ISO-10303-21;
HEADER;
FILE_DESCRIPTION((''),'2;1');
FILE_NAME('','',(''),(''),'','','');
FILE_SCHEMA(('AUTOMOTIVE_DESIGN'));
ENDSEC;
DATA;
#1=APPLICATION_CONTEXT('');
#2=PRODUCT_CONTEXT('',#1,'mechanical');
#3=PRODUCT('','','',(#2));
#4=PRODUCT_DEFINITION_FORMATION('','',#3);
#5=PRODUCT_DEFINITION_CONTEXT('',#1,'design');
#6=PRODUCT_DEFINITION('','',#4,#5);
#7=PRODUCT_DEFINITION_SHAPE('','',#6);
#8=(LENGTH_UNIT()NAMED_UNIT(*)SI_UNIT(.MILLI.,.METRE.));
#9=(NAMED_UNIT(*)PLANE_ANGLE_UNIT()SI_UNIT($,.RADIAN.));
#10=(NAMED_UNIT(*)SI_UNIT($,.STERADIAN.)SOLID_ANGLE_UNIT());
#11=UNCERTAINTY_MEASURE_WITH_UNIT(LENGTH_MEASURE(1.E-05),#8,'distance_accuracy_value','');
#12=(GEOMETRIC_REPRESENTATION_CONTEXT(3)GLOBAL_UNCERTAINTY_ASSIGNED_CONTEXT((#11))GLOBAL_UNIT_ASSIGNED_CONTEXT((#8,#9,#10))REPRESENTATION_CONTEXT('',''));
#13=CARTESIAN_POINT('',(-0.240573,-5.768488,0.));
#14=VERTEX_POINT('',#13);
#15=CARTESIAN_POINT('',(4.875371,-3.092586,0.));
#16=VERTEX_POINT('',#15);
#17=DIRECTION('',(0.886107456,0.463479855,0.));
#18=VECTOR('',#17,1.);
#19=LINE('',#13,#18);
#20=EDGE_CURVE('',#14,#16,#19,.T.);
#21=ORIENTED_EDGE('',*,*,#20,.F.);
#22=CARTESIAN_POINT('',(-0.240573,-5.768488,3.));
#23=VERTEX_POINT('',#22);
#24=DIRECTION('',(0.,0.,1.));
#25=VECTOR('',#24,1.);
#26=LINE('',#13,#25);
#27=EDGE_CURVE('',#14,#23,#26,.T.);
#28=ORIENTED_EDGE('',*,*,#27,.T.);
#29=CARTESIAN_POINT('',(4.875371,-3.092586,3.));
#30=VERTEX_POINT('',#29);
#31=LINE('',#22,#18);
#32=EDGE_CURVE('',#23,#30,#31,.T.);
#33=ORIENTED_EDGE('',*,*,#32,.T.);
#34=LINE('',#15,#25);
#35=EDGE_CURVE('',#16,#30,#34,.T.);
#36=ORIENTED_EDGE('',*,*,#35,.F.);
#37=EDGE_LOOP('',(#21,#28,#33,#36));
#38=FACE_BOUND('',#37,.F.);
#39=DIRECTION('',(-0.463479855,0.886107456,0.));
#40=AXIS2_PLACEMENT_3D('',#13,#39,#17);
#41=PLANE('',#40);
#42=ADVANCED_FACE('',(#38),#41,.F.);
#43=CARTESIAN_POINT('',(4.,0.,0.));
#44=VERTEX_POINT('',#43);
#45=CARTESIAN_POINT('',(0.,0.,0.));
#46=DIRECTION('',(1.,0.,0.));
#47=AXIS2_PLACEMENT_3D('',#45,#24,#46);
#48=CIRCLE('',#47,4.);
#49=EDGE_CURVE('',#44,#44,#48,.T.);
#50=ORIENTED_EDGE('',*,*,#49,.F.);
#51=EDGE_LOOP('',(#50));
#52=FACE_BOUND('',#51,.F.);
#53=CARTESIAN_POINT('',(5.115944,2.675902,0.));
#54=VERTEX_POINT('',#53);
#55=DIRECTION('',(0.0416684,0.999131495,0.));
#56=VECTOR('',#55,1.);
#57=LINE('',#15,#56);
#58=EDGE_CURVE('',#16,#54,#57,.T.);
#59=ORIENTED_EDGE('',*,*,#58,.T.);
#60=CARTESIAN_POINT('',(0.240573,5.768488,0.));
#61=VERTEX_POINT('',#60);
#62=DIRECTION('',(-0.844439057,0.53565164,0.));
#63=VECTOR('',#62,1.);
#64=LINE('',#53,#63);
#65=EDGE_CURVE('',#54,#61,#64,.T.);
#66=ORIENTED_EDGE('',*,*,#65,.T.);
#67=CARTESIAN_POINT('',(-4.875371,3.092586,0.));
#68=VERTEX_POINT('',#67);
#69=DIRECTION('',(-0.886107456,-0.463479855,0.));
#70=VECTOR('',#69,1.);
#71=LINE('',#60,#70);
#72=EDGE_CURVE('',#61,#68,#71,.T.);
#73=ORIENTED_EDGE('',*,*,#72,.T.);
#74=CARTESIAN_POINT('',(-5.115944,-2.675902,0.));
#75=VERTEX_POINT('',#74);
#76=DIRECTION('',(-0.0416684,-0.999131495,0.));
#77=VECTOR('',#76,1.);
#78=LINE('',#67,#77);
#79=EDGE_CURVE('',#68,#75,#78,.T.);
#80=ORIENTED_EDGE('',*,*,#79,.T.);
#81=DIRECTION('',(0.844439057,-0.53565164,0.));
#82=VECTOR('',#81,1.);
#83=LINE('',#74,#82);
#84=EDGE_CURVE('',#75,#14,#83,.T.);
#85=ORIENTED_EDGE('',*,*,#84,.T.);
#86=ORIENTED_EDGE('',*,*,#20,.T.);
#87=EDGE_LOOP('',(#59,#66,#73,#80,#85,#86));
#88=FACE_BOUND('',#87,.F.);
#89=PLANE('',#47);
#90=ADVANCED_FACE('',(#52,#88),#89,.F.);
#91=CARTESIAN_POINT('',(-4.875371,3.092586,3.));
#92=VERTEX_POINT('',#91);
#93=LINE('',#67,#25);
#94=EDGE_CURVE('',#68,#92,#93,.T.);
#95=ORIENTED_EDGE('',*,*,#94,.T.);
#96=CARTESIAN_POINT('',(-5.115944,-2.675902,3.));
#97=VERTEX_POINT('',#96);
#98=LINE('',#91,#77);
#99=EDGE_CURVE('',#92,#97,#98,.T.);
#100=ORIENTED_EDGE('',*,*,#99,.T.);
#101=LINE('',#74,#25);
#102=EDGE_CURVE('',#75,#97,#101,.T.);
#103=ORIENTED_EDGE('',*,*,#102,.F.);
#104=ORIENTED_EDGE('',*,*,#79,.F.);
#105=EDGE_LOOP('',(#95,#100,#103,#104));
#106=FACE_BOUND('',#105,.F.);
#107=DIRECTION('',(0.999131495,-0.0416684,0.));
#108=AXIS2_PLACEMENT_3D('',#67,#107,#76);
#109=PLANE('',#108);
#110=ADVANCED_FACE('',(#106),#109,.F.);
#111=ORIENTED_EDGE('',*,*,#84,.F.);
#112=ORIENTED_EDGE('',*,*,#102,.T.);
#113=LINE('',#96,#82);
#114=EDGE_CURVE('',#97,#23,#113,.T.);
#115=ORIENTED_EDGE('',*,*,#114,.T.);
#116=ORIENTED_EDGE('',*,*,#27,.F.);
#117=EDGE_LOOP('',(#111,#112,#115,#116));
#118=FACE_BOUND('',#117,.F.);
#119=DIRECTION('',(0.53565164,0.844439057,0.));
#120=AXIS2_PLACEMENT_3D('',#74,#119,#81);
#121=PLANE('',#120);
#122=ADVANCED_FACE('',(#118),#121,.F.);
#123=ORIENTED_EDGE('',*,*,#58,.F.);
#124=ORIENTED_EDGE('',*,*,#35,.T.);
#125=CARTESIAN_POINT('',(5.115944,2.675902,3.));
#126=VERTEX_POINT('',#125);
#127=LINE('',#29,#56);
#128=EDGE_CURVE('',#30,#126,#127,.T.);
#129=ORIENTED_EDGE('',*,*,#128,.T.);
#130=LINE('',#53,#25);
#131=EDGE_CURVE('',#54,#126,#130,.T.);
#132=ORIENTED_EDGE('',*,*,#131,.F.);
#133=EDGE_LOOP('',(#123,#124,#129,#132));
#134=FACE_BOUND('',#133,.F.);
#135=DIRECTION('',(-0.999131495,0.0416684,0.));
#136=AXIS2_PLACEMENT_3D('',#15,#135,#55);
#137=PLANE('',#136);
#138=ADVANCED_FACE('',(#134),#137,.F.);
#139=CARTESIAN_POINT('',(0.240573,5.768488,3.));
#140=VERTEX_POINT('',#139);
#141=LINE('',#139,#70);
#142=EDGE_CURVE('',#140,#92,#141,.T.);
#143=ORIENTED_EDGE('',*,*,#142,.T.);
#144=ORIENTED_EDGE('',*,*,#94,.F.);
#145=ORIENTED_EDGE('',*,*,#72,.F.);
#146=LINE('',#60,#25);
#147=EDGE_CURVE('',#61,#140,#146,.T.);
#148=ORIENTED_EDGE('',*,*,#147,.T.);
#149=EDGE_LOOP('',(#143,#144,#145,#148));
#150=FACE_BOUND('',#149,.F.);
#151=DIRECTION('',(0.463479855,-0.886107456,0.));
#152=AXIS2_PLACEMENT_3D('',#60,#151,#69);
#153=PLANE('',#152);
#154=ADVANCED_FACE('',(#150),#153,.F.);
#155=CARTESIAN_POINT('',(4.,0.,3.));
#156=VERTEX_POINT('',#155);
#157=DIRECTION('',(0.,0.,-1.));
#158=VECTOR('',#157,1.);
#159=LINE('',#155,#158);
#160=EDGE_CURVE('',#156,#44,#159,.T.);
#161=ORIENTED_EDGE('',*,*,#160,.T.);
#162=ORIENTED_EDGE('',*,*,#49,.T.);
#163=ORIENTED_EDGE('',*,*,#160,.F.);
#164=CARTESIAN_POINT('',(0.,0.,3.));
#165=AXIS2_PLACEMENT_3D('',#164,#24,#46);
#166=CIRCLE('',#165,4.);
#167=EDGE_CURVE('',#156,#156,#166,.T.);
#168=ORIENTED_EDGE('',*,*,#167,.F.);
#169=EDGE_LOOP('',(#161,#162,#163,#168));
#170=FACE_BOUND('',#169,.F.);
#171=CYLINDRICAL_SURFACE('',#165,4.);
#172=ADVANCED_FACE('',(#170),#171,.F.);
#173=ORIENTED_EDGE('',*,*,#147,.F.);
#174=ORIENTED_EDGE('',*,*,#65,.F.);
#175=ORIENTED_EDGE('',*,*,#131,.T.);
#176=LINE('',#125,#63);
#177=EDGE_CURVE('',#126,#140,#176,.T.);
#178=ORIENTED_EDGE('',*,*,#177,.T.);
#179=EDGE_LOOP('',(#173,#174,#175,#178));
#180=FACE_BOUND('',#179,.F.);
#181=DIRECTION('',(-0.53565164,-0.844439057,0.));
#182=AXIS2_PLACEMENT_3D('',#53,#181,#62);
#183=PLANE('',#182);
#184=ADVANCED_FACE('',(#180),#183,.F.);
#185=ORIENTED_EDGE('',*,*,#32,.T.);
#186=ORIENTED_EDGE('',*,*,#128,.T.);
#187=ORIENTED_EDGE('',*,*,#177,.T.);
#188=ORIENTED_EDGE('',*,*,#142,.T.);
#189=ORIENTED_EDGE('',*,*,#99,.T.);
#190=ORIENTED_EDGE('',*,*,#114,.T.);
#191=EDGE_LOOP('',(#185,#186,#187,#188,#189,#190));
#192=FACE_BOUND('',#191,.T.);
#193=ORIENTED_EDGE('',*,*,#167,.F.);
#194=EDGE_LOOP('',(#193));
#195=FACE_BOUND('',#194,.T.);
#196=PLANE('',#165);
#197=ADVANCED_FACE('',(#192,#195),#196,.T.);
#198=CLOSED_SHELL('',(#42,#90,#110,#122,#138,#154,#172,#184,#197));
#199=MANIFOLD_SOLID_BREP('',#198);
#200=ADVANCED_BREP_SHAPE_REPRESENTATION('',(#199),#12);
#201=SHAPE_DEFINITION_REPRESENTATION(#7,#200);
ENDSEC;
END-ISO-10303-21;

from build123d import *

# Parameters (mm, degrees)
EXTRUDE_1_DEPTH     = 3
SKETCH_2_R          = 4
CUT_EXTRUDE_1_DEPTH = 3


with BuildPart() as part:
    # 草图1 → 凸台-拉伸1 (new body)
    with BuildSketch(Plane.XY):
        Polygon((4.875371166, -3.092586187), (5.115943785, 2.675902189), (0.240572619, 5.768488376), (-4.875371166, 3.092586187), (-5.115943785, -2.675902189), (-0.240572619, -5.768488376), align=None)
    extrude(amount=EXTRUDE_1_DEPTH)

    # 草图2 → 切除-拉伸1 (cut)
    with BuildSketch(Plane.XY.offset(3)):
        Circle(SKETCH_2_R)
    extrude(amount=-CUT_EXTRUDE_1_DEPTH, mode=Mode.SUBTRACT)


solid = part.part
